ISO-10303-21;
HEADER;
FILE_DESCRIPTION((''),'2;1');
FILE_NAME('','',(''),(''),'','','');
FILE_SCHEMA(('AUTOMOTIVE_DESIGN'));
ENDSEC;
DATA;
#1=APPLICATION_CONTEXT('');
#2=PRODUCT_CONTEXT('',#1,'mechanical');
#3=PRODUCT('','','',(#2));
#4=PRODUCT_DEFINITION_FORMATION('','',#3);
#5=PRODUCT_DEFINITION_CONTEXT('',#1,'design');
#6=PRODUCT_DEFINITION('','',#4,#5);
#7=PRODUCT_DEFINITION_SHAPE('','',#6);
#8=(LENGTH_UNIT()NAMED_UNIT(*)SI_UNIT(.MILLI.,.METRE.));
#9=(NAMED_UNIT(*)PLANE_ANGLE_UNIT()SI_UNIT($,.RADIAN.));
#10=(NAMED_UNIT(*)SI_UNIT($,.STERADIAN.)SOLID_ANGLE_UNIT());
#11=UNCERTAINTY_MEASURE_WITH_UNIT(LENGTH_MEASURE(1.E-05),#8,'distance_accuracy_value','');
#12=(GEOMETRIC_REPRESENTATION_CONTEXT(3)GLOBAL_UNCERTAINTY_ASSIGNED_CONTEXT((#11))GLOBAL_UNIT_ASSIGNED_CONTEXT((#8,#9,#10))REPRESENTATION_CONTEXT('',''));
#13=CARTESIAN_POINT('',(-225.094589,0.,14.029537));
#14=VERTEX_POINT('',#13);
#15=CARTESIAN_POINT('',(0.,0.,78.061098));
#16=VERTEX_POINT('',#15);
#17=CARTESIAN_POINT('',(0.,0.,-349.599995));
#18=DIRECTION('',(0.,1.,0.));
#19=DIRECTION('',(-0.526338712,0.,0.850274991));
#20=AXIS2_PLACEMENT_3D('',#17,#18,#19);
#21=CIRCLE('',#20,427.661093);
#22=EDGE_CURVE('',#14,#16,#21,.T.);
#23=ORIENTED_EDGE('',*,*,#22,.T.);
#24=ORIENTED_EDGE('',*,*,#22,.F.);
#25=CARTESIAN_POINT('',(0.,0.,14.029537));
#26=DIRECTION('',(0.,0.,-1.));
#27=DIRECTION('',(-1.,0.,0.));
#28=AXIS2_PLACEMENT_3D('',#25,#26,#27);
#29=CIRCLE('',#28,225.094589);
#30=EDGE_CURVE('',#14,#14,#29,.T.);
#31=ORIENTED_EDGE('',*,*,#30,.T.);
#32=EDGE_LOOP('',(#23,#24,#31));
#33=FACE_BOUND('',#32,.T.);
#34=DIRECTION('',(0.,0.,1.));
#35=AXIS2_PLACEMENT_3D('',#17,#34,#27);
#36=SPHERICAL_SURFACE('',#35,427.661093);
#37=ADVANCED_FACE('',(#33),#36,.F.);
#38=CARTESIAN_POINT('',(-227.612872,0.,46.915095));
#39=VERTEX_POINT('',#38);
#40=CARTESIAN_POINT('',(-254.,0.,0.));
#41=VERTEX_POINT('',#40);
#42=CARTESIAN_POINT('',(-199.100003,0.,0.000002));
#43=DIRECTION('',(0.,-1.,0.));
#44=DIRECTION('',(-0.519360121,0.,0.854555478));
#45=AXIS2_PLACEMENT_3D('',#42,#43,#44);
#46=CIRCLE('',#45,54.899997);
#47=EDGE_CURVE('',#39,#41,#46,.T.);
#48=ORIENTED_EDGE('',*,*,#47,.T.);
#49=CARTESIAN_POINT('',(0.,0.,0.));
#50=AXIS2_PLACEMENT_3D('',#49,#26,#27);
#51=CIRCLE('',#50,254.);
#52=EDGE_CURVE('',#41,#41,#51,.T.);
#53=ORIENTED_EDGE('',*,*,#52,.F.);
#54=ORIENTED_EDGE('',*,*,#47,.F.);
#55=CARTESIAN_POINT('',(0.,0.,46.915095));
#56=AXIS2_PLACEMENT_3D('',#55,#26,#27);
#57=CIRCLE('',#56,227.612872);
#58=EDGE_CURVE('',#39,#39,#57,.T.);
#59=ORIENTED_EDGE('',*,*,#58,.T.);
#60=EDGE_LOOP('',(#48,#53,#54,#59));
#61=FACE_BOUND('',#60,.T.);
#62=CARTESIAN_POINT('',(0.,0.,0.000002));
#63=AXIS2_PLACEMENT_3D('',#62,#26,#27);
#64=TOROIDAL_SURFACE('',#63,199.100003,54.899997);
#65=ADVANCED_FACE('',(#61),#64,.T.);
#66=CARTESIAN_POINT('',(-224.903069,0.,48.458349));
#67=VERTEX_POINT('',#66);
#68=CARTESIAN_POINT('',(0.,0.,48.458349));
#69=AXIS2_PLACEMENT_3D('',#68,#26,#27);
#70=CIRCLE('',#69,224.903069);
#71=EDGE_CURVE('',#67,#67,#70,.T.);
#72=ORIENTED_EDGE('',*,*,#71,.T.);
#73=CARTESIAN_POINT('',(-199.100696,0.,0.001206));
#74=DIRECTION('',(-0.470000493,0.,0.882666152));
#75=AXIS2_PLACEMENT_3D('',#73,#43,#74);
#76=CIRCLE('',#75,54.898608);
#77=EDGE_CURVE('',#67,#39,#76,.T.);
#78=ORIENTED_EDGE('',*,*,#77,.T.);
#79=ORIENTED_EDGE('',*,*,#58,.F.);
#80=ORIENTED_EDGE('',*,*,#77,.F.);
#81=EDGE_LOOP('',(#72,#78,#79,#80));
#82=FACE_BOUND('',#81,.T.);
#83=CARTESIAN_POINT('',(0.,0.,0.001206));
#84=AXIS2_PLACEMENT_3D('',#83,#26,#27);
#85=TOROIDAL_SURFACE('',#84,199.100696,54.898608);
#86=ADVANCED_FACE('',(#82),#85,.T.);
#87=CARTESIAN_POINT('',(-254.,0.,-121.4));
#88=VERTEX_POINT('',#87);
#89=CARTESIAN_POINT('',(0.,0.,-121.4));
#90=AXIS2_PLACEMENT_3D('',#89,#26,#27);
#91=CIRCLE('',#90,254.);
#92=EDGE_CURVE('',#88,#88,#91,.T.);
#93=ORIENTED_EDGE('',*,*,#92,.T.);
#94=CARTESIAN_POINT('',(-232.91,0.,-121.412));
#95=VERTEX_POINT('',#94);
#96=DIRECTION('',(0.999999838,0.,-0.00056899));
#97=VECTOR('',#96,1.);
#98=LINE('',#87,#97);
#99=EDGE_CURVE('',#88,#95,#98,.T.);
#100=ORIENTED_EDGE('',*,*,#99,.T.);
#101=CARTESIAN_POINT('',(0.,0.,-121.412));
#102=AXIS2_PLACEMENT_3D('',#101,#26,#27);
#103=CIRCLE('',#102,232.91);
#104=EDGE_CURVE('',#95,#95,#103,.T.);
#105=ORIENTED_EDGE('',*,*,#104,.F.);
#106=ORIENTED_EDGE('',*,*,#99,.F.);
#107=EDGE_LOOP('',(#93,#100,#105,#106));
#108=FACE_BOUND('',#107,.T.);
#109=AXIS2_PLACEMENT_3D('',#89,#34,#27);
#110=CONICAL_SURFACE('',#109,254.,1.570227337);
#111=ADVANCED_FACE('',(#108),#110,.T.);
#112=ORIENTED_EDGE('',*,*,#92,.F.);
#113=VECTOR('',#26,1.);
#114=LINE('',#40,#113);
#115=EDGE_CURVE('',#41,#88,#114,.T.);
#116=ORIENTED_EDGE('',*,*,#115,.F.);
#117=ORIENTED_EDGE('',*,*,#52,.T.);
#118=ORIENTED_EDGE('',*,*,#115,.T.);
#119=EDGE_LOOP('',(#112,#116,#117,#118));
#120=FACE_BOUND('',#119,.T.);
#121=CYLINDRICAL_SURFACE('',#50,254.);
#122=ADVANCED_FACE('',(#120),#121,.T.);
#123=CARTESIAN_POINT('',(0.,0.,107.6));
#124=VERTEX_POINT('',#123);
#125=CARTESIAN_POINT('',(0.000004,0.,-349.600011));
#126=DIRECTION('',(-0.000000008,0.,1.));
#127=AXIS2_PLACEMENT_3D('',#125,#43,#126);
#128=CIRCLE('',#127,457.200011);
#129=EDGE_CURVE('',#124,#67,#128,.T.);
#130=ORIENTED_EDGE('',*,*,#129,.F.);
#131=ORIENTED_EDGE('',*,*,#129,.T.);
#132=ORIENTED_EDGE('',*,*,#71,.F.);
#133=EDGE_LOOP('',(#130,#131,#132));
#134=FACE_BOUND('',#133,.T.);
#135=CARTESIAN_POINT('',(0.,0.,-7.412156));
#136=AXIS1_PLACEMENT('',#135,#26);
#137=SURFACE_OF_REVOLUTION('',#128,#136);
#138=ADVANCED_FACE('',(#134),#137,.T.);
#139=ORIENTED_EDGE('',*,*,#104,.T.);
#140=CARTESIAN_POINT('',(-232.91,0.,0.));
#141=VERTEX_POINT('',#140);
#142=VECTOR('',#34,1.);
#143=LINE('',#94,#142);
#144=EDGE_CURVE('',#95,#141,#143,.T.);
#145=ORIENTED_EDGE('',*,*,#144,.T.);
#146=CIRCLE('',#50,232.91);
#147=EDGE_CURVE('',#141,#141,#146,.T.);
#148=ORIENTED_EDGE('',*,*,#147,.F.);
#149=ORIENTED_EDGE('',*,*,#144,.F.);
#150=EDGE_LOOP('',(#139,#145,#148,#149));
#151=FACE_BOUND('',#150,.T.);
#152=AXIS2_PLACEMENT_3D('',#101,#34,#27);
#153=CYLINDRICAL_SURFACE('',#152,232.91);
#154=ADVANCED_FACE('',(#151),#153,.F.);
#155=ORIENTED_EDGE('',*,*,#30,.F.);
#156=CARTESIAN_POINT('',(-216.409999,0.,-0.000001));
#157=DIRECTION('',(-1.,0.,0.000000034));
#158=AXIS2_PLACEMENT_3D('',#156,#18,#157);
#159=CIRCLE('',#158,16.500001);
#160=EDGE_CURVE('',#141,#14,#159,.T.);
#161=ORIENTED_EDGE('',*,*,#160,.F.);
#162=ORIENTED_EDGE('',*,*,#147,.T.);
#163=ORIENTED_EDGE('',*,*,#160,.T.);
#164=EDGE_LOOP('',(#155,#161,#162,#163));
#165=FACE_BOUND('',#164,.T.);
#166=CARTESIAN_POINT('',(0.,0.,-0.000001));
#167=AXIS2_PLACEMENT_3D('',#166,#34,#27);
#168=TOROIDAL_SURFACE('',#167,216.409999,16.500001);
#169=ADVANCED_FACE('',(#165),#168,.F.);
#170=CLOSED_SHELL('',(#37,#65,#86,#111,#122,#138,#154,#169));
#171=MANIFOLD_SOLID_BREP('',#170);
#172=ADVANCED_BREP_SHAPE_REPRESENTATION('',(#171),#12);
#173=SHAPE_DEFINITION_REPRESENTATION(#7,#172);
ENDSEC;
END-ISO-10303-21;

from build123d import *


with BuildPart() as f1:
    # F0 (on Front) → F1 (revolve)
    with BuildSketch(Plane.XZ):
        with BuildLine():
            ThreePointArc((-227.612872, 46.915095), (-246.950636, 26.913318), (-254, 0))
            Line((-254, 0), (-254, -121.4))
            Line((-254, -121.4), (-232.91, -121.412))
            Line((-232.91, -121.412), (-232.91, 0))
            ThreePointArc((-232.91, 0), (-230.824328, 8.029766), (-225.094589, 14.029537))
            ThreePointArc((-225.094589, 14.029537), (-117.012408, 61.741842), (0, 78.061098))
            Line((0, 78.061098), (0, 107.6))
            ThreePointArc((0, 107.6), (-116.274594, 92.567455), (-224.903069, 48.458349))
            ThreePointArc((-224.903069, 48.458349), (-226.259286, 47.689033), (-227.612872, 46.915095))
        make_face()
        with BuildLine():
            ThreePointArc((-224.903069, 48.458349), (-226.26893, 47.705967), (-227.612872, 46.915095))
            ThreePointArc((-227.612872, 46.915095), (-226.259286, 47.689033), (-224.903069, 48.458349))
        make_face()
    revolve(axis=Axis((0, 0, -7.412156), (0, 0, -1)))


solid = f1.part
